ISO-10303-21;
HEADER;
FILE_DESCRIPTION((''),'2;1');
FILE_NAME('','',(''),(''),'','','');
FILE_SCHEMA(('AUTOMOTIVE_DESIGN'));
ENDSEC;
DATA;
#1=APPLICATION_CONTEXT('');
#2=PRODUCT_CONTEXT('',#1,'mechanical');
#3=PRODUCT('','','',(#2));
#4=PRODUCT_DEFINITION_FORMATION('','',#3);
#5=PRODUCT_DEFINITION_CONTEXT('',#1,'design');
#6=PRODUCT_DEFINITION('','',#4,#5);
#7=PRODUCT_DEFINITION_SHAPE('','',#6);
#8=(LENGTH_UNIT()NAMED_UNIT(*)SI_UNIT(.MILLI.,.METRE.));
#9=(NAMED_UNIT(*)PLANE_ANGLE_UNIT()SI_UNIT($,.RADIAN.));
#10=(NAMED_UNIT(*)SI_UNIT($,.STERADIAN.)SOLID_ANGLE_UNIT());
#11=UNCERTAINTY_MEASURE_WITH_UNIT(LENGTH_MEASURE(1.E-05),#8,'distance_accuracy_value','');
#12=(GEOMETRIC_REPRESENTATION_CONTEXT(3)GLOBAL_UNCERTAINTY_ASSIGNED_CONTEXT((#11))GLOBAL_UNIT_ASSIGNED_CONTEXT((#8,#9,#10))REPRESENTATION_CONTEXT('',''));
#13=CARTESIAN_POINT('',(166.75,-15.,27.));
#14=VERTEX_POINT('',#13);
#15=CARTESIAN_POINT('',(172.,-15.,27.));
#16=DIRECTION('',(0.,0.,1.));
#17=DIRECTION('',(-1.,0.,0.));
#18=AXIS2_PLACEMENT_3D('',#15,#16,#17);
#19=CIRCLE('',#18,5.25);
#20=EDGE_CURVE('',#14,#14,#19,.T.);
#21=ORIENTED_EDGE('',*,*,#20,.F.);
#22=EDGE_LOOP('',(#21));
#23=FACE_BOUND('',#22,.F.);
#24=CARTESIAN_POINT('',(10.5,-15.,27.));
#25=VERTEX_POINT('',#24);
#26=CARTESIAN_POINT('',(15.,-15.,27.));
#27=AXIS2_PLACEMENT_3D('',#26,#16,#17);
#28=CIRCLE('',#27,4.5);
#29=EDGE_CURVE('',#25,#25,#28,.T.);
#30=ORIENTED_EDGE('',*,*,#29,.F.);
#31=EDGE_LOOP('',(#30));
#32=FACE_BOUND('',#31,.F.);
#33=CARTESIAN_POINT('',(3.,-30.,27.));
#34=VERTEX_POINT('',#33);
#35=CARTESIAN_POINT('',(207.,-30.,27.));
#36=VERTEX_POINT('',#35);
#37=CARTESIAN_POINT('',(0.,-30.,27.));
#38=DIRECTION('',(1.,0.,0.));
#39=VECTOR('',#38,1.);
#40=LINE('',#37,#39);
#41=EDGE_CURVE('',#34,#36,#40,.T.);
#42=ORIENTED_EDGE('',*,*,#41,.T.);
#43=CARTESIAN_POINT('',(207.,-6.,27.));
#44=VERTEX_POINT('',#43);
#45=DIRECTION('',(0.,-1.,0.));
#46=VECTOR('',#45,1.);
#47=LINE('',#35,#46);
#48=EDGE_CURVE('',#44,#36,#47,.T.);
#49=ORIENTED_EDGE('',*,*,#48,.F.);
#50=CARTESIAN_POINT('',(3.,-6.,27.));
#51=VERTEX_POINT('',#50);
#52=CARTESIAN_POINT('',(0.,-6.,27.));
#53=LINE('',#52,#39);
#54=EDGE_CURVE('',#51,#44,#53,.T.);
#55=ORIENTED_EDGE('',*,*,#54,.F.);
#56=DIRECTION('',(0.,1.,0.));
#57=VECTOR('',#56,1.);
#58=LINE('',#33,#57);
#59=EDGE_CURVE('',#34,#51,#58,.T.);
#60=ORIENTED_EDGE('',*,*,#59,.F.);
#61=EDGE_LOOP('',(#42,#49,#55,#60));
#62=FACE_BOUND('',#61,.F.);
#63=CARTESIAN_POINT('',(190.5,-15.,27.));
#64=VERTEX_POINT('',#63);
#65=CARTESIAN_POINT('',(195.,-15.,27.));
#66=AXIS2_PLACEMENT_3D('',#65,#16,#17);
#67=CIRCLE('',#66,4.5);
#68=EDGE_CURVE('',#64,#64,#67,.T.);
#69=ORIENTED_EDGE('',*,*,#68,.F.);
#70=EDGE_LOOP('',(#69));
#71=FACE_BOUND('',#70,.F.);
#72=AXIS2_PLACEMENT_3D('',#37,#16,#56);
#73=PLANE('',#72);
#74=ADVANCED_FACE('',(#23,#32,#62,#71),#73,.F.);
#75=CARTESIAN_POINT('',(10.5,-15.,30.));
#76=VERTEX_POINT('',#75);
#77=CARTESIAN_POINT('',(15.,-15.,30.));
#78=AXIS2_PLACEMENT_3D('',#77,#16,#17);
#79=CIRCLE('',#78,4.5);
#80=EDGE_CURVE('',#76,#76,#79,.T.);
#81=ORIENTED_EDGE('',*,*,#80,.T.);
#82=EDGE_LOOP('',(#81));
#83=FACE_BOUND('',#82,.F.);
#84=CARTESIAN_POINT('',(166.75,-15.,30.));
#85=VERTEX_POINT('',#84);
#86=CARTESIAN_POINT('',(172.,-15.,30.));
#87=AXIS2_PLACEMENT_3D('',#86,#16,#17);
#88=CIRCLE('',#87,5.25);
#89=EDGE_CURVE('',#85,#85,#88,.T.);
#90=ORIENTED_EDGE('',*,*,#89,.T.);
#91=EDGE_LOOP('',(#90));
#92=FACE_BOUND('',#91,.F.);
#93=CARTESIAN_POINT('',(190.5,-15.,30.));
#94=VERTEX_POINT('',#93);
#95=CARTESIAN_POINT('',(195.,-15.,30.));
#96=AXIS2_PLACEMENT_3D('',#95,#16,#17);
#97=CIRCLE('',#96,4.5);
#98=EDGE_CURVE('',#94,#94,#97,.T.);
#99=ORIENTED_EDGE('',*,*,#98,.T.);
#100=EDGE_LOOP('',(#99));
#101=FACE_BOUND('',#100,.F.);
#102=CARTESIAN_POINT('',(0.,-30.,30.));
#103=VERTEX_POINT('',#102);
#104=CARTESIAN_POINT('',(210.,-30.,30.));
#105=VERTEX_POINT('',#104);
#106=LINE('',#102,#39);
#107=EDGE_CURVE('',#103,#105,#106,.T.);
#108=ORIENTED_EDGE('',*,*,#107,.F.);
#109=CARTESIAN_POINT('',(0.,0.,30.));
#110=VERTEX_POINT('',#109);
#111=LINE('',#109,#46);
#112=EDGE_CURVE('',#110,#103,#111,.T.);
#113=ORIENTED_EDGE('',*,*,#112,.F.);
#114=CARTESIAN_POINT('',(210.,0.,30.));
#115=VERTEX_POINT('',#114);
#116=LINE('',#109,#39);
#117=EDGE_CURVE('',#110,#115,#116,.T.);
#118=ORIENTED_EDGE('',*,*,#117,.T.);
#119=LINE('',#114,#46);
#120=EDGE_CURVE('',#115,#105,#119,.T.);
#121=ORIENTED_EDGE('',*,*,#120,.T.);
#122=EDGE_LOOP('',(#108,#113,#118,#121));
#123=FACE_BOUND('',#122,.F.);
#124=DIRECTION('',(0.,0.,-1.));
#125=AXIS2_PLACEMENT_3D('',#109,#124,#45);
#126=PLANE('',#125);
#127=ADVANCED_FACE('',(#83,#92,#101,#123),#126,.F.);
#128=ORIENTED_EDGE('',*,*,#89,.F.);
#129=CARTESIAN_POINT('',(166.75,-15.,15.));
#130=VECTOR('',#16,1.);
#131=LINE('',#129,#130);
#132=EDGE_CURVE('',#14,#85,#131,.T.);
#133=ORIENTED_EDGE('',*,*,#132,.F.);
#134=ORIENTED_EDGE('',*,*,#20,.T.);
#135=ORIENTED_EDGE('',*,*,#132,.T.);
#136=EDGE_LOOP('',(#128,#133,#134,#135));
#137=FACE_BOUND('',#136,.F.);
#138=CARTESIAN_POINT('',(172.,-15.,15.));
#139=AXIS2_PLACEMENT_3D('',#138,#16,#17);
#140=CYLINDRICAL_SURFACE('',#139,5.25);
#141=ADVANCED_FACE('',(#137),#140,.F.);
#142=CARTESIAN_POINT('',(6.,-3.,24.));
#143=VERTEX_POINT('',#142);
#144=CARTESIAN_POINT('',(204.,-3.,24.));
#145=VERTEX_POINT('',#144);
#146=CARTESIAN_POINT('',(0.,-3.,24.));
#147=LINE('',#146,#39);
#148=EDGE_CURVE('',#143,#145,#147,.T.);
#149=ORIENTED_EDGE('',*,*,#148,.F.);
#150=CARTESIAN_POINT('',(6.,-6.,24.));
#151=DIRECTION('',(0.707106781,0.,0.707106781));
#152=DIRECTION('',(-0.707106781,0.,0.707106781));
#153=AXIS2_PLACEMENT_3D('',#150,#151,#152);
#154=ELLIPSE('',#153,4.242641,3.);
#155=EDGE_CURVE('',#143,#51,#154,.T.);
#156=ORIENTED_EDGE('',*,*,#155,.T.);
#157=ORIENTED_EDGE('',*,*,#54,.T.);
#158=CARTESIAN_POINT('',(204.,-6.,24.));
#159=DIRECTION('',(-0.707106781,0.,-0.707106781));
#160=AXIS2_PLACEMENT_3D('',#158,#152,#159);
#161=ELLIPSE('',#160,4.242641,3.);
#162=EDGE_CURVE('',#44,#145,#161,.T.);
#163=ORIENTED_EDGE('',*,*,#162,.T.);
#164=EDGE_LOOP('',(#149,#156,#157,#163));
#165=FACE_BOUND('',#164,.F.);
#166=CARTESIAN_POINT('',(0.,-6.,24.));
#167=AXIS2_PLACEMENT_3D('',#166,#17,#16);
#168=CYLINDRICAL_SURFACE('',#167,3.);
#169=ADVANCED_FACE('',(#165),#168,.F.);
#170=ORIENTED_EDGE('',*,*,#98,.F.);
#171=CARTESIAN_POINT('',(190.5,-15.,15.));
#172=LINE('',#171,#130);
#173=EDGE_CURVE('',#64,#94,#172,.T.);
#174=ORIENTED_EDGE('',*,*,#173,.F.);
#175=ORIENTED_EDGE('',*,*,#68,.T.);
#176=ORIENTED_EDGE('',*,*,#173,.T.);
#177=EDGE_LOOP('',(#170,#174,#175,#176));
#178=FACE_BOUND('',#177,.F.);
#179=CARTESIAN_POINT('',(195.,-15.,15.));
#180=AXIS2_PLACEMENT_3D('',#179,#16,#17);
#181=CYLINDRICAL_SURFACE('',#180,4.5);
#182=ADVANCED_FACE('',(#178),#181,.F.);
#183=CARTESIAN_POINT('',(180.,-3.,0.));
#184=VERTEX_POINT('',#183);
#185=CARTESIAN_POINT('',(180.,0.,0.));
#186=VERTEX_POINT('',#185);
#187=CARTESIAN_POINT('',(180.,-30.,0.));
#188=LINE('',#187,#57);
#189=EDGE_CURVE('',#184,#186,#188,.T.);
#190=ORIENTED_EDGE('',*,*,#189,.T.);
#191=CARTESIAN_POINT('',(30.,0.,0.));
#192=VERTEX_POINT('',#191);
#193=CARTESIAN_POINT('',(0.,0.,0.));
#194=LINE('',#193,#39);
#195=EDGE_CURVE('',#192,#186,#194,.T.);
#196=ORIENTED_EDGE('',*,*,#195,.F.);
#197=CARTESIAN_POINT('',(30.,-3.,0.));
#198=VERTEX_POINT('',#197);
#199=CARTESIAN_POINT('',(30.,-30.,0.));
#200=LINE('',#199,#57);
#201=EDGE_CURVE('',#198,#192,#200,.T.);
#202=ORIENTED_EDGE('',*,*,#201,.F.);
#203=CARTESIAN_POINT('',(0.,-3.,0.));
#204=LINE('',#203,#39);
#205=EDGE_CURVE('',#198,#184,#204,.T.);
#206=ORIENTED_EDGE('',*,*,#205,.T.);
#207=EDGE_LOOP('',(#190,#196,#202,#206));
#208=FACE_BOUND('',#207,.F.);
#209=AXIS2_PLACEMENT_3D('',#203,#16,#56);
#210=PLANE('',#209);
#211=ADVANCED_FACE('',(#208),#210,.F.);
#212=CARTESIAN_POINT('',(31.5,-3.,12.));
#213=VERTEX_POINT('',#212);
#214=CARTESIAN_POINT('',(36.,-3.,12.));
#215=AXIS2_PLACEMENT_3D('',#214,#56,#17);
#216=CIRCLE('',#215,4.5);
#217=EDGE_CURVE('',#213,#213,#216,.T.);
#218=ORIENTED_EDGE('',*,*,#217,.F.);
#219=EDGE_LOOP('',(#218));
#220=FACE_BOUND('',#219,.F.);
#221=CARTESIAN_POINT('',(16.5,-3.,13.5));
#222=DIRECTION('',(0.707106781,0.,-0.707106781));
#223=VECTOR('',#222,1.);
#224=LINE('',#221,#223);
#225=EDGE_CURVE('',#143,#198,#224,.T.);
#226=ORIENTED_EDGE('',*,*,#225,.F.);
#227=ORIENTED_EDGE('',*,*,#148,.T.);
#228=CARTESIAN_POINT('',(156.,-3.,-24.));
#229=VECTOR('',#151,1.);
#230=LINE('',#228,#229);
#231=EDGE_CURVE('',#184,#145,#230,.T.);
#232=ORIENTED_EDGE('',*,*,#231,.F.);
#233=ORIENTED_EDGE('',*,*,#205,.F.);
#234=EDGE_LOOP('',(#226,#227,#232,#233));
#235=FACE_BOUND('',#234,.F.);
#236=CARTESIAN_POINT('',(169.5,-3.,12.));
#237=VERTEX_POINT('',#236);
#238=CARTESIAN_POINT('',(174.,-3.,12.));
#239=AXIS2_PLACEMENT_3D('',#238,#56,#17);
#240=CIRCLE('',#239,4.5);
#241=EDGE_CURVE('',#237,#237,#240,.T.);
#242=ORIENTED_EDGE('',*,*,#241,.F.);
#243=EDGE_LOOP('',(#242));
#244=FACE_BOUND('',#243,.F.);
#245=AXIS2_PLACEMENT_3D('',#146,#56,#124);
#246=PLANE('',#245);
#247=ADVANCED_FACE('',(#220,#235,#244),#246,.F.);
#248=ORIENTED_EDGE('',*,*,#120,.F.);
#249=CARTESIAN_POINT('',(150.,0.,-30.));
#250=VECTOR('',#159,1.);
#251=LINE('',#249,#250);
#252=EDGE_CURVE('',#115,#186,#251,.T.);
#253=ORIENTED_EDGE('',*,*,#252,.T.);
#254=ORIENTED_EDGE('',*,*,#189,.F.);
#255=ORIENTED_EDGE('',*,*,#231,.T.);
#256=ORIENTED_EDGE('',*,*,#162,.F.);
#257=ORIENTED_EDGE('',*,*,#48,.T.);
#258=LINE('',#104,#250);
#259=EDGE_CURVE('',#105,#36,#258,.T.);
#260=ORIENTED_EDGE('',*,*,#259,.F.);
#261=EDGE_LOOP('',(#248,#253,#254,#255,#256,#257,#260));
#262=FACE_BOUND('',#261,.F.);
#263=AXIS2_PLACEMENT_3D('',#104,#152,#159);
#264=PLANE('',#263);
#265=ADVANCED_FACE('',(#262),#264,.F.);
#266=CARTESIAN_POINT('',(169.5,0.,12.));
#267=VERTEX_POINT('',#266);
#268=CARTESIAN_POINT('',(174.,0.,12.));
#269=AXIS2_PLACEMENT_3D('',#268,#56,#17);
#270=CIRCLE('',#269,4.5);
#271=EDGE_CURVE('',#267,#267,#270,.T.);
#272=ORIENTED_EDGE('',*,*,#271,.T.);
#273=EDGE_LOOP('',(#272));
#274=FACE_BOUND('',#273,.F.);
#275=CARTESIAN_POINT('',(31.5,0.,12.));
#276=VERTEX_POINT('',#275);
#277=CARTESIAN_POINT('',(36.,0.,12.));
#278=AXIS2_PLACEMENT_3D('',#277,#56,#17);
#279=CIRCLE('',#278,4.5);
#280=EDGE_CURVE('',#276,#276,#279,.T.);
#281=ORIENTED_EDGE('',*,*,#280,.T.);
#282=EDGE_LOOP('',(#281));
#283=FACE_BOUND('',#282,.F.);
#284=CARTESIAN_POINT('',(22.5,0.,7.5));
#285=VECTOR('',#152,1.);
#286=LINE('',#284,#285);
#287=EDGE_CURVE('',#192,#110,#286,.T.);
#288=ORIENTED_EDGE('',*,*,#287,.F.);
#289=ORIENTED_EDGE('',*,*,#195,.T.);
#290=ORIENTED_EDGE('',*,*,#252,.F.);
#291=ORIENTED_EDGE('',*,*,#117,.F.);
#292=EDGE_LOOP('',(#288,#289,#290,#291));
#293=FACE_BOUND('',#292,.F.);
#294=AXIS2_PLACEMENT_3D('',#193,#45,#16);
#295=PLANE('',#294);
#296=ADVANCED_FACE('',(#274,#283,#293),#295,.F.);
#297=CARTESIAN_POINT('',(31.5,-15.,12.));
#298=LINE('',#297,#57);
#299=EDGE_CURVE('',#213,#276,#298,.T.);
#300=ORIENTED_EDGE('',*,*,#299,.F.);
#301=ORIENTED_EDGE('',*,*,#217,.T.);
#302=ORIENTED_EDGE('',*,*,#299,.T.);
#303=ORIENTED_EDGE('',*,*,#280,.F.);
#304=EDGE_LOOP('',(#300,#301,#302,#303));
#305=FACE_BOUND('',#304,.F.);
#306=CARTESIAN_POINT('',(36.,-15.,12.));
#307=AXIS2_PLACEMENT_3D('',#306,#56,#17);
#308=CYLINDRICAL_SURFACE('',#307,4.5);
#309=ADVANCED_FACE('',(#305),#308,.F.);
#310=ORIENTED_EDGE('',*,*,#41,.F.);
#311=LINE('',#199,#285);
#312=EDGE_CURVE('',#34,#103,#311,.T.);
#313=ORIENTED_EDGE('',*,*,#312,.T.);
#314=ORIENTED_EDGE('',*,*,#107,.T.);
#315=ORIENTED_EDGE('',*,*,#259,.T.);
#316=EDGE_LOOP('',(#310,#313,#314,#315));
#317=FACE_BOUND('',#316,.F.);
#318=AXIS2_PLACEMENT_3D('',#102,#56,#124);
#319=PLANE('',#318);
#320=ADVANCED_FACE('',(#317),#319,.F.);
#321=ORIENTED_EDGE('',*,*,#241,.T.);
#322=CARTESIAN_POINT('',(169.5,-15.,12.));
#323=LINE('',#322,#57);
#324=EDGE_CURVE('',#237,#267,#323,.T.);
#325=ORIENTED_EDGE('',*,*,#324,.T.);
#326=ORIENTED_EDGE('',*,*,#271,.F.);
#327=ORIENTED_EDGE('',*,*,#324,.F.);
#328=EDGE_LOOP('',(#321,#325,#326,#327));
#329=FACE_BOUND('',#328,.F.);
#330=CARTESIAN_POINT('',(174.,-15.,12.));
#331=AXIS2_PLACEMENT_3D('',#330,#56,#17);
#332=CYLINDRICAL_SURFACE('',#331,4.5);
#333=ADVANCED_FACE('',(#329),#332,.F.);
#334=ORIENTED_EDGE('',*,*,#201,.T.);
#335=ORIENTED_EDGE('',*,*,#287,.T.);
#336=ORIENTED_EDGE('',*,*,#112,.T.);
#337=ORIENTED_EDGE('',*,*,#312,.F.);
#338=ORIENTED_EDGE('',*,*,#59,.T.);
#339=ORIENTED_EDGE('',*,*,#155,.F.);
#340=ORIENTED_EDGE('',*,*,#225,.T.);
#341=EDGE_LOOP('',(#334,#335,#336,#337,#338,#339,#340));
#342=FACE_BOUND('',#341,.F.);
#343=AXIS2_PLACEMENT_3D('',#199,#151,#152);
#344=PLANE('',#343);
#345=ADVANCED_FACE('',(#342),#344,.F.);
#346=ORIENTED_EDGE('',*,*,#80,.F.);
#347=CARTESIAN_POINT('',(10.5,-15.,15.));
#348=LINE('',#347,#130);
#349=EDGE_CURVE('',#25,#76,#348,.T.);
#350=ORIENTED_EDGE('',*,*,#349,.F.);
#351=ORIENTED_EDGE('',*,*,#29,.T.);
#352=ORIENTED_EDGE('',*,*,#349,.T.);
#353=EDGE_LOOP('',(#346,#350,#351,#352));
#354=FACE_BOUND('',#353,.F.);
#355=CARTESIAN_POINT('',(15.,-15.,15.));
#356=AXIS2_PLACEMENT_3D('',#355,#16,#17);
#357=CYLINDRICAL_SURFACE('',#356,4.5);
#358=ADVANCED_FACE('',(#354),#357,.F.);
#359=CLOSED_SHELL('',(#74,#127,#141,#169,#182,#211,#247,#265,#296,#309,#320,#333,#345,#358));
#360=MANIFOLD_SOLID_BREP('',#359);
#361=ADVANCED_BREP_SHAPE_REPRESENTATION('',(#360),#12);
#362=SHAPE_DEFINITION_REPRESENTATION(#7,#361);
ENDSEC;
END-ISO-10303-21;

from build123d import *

# Parameters (mm, degrees)
F1_DEPTH = 210
F3_D     = 9
F3_DEPTH = 12
F3_TIP   = 2.7038727856
F5_DEPTH = 95
F7_D     = 9
F7_DEPTH = 12
F7_TIP   = 2.7038727856
F9_D     = 10.5
F9_DEPTH = 12
F9_TIP   = 3.1545182499


with BuildPart() as f1:
    # F0 (on Right) → F1 (new body)
    with BuildSketch(Plane.YZ):
        with BuildLine():
            Line((-3, 0), (0, 0))
            Line((0, 0), (0, 30))
            Line((0, 30), (-30, 30))
            Line((-30, 30), (-30, 27))
            Line((-30, 27), (-6, 27))
            ThreePointArc((-6, 27), (-3.8786796564, 26.1213203436), (-3, 24))
            Line((-3, 24), (-3, 0))
        make_face()
    extrude(amount=F1_DEPTH)

    # F3
    with Locations(Plane.XZ.offset(3)):
        with Locations((36, 12), (174, 12)):
            Hole(F3_D / 2, depth=F3_DEPTH)
            with Locations((0, 0, -(F3_DEPTH + F3_TIP / 2))):  # 118° drill point
                Cone(0, F3_D / 2, F3_TIP, mode=Mode.SUBTRACT)

    # F4 (on face) → F5 (cut)
    with BuildSketch(Plane.XZ.offset(30)):
        Polygon((30, 0), (3, 27), (0, 27), (0, 0), align=None)
        Polygon((3, 27), (0, 30), (0, 27), align=None)
        Polygon((210, 27), (210, 30), (207, 27), align=None)
        Polygon((210, 27), (207, 27), (180, 0), (210, 0), align=None)
    extrude(amount=-F5_DEPTH, mode=Mode.SUBTRACT)

    # F7
    with Locations(Plane(origin=(0, 0, 27), x_dir=(1, 0, 0), z_dir=(0, 0, -1))):
        with Locations((15, 15), (195, 15)):
            Hole(F7_D / 2, depth=F7_DEPTH)
            with Locations((0, 0, -(F7_DEPTH + F7_TIP / 2))):  # 118° drill point
                Cone(0, F7_D / 2, F7_TIP, mode=Mode.SUBTRACT)

    # F9
    with Locations(Plane(origin=(0, 0, 27), x_dir=(1, 0, 0), z_dir=(0, 0, -1))):
        with Locations((172, 15)):
            Hole(F9_D / 2, depth=F9_DEPTH)
            with Locations((0, 0, -(F9_DEPTH + F9_TIP / 2))):  # 118° drill point
                Cone(0, F9_D / 2, F9_TIP, mode=Mode.SUBTRACT)


solid = f1.part
